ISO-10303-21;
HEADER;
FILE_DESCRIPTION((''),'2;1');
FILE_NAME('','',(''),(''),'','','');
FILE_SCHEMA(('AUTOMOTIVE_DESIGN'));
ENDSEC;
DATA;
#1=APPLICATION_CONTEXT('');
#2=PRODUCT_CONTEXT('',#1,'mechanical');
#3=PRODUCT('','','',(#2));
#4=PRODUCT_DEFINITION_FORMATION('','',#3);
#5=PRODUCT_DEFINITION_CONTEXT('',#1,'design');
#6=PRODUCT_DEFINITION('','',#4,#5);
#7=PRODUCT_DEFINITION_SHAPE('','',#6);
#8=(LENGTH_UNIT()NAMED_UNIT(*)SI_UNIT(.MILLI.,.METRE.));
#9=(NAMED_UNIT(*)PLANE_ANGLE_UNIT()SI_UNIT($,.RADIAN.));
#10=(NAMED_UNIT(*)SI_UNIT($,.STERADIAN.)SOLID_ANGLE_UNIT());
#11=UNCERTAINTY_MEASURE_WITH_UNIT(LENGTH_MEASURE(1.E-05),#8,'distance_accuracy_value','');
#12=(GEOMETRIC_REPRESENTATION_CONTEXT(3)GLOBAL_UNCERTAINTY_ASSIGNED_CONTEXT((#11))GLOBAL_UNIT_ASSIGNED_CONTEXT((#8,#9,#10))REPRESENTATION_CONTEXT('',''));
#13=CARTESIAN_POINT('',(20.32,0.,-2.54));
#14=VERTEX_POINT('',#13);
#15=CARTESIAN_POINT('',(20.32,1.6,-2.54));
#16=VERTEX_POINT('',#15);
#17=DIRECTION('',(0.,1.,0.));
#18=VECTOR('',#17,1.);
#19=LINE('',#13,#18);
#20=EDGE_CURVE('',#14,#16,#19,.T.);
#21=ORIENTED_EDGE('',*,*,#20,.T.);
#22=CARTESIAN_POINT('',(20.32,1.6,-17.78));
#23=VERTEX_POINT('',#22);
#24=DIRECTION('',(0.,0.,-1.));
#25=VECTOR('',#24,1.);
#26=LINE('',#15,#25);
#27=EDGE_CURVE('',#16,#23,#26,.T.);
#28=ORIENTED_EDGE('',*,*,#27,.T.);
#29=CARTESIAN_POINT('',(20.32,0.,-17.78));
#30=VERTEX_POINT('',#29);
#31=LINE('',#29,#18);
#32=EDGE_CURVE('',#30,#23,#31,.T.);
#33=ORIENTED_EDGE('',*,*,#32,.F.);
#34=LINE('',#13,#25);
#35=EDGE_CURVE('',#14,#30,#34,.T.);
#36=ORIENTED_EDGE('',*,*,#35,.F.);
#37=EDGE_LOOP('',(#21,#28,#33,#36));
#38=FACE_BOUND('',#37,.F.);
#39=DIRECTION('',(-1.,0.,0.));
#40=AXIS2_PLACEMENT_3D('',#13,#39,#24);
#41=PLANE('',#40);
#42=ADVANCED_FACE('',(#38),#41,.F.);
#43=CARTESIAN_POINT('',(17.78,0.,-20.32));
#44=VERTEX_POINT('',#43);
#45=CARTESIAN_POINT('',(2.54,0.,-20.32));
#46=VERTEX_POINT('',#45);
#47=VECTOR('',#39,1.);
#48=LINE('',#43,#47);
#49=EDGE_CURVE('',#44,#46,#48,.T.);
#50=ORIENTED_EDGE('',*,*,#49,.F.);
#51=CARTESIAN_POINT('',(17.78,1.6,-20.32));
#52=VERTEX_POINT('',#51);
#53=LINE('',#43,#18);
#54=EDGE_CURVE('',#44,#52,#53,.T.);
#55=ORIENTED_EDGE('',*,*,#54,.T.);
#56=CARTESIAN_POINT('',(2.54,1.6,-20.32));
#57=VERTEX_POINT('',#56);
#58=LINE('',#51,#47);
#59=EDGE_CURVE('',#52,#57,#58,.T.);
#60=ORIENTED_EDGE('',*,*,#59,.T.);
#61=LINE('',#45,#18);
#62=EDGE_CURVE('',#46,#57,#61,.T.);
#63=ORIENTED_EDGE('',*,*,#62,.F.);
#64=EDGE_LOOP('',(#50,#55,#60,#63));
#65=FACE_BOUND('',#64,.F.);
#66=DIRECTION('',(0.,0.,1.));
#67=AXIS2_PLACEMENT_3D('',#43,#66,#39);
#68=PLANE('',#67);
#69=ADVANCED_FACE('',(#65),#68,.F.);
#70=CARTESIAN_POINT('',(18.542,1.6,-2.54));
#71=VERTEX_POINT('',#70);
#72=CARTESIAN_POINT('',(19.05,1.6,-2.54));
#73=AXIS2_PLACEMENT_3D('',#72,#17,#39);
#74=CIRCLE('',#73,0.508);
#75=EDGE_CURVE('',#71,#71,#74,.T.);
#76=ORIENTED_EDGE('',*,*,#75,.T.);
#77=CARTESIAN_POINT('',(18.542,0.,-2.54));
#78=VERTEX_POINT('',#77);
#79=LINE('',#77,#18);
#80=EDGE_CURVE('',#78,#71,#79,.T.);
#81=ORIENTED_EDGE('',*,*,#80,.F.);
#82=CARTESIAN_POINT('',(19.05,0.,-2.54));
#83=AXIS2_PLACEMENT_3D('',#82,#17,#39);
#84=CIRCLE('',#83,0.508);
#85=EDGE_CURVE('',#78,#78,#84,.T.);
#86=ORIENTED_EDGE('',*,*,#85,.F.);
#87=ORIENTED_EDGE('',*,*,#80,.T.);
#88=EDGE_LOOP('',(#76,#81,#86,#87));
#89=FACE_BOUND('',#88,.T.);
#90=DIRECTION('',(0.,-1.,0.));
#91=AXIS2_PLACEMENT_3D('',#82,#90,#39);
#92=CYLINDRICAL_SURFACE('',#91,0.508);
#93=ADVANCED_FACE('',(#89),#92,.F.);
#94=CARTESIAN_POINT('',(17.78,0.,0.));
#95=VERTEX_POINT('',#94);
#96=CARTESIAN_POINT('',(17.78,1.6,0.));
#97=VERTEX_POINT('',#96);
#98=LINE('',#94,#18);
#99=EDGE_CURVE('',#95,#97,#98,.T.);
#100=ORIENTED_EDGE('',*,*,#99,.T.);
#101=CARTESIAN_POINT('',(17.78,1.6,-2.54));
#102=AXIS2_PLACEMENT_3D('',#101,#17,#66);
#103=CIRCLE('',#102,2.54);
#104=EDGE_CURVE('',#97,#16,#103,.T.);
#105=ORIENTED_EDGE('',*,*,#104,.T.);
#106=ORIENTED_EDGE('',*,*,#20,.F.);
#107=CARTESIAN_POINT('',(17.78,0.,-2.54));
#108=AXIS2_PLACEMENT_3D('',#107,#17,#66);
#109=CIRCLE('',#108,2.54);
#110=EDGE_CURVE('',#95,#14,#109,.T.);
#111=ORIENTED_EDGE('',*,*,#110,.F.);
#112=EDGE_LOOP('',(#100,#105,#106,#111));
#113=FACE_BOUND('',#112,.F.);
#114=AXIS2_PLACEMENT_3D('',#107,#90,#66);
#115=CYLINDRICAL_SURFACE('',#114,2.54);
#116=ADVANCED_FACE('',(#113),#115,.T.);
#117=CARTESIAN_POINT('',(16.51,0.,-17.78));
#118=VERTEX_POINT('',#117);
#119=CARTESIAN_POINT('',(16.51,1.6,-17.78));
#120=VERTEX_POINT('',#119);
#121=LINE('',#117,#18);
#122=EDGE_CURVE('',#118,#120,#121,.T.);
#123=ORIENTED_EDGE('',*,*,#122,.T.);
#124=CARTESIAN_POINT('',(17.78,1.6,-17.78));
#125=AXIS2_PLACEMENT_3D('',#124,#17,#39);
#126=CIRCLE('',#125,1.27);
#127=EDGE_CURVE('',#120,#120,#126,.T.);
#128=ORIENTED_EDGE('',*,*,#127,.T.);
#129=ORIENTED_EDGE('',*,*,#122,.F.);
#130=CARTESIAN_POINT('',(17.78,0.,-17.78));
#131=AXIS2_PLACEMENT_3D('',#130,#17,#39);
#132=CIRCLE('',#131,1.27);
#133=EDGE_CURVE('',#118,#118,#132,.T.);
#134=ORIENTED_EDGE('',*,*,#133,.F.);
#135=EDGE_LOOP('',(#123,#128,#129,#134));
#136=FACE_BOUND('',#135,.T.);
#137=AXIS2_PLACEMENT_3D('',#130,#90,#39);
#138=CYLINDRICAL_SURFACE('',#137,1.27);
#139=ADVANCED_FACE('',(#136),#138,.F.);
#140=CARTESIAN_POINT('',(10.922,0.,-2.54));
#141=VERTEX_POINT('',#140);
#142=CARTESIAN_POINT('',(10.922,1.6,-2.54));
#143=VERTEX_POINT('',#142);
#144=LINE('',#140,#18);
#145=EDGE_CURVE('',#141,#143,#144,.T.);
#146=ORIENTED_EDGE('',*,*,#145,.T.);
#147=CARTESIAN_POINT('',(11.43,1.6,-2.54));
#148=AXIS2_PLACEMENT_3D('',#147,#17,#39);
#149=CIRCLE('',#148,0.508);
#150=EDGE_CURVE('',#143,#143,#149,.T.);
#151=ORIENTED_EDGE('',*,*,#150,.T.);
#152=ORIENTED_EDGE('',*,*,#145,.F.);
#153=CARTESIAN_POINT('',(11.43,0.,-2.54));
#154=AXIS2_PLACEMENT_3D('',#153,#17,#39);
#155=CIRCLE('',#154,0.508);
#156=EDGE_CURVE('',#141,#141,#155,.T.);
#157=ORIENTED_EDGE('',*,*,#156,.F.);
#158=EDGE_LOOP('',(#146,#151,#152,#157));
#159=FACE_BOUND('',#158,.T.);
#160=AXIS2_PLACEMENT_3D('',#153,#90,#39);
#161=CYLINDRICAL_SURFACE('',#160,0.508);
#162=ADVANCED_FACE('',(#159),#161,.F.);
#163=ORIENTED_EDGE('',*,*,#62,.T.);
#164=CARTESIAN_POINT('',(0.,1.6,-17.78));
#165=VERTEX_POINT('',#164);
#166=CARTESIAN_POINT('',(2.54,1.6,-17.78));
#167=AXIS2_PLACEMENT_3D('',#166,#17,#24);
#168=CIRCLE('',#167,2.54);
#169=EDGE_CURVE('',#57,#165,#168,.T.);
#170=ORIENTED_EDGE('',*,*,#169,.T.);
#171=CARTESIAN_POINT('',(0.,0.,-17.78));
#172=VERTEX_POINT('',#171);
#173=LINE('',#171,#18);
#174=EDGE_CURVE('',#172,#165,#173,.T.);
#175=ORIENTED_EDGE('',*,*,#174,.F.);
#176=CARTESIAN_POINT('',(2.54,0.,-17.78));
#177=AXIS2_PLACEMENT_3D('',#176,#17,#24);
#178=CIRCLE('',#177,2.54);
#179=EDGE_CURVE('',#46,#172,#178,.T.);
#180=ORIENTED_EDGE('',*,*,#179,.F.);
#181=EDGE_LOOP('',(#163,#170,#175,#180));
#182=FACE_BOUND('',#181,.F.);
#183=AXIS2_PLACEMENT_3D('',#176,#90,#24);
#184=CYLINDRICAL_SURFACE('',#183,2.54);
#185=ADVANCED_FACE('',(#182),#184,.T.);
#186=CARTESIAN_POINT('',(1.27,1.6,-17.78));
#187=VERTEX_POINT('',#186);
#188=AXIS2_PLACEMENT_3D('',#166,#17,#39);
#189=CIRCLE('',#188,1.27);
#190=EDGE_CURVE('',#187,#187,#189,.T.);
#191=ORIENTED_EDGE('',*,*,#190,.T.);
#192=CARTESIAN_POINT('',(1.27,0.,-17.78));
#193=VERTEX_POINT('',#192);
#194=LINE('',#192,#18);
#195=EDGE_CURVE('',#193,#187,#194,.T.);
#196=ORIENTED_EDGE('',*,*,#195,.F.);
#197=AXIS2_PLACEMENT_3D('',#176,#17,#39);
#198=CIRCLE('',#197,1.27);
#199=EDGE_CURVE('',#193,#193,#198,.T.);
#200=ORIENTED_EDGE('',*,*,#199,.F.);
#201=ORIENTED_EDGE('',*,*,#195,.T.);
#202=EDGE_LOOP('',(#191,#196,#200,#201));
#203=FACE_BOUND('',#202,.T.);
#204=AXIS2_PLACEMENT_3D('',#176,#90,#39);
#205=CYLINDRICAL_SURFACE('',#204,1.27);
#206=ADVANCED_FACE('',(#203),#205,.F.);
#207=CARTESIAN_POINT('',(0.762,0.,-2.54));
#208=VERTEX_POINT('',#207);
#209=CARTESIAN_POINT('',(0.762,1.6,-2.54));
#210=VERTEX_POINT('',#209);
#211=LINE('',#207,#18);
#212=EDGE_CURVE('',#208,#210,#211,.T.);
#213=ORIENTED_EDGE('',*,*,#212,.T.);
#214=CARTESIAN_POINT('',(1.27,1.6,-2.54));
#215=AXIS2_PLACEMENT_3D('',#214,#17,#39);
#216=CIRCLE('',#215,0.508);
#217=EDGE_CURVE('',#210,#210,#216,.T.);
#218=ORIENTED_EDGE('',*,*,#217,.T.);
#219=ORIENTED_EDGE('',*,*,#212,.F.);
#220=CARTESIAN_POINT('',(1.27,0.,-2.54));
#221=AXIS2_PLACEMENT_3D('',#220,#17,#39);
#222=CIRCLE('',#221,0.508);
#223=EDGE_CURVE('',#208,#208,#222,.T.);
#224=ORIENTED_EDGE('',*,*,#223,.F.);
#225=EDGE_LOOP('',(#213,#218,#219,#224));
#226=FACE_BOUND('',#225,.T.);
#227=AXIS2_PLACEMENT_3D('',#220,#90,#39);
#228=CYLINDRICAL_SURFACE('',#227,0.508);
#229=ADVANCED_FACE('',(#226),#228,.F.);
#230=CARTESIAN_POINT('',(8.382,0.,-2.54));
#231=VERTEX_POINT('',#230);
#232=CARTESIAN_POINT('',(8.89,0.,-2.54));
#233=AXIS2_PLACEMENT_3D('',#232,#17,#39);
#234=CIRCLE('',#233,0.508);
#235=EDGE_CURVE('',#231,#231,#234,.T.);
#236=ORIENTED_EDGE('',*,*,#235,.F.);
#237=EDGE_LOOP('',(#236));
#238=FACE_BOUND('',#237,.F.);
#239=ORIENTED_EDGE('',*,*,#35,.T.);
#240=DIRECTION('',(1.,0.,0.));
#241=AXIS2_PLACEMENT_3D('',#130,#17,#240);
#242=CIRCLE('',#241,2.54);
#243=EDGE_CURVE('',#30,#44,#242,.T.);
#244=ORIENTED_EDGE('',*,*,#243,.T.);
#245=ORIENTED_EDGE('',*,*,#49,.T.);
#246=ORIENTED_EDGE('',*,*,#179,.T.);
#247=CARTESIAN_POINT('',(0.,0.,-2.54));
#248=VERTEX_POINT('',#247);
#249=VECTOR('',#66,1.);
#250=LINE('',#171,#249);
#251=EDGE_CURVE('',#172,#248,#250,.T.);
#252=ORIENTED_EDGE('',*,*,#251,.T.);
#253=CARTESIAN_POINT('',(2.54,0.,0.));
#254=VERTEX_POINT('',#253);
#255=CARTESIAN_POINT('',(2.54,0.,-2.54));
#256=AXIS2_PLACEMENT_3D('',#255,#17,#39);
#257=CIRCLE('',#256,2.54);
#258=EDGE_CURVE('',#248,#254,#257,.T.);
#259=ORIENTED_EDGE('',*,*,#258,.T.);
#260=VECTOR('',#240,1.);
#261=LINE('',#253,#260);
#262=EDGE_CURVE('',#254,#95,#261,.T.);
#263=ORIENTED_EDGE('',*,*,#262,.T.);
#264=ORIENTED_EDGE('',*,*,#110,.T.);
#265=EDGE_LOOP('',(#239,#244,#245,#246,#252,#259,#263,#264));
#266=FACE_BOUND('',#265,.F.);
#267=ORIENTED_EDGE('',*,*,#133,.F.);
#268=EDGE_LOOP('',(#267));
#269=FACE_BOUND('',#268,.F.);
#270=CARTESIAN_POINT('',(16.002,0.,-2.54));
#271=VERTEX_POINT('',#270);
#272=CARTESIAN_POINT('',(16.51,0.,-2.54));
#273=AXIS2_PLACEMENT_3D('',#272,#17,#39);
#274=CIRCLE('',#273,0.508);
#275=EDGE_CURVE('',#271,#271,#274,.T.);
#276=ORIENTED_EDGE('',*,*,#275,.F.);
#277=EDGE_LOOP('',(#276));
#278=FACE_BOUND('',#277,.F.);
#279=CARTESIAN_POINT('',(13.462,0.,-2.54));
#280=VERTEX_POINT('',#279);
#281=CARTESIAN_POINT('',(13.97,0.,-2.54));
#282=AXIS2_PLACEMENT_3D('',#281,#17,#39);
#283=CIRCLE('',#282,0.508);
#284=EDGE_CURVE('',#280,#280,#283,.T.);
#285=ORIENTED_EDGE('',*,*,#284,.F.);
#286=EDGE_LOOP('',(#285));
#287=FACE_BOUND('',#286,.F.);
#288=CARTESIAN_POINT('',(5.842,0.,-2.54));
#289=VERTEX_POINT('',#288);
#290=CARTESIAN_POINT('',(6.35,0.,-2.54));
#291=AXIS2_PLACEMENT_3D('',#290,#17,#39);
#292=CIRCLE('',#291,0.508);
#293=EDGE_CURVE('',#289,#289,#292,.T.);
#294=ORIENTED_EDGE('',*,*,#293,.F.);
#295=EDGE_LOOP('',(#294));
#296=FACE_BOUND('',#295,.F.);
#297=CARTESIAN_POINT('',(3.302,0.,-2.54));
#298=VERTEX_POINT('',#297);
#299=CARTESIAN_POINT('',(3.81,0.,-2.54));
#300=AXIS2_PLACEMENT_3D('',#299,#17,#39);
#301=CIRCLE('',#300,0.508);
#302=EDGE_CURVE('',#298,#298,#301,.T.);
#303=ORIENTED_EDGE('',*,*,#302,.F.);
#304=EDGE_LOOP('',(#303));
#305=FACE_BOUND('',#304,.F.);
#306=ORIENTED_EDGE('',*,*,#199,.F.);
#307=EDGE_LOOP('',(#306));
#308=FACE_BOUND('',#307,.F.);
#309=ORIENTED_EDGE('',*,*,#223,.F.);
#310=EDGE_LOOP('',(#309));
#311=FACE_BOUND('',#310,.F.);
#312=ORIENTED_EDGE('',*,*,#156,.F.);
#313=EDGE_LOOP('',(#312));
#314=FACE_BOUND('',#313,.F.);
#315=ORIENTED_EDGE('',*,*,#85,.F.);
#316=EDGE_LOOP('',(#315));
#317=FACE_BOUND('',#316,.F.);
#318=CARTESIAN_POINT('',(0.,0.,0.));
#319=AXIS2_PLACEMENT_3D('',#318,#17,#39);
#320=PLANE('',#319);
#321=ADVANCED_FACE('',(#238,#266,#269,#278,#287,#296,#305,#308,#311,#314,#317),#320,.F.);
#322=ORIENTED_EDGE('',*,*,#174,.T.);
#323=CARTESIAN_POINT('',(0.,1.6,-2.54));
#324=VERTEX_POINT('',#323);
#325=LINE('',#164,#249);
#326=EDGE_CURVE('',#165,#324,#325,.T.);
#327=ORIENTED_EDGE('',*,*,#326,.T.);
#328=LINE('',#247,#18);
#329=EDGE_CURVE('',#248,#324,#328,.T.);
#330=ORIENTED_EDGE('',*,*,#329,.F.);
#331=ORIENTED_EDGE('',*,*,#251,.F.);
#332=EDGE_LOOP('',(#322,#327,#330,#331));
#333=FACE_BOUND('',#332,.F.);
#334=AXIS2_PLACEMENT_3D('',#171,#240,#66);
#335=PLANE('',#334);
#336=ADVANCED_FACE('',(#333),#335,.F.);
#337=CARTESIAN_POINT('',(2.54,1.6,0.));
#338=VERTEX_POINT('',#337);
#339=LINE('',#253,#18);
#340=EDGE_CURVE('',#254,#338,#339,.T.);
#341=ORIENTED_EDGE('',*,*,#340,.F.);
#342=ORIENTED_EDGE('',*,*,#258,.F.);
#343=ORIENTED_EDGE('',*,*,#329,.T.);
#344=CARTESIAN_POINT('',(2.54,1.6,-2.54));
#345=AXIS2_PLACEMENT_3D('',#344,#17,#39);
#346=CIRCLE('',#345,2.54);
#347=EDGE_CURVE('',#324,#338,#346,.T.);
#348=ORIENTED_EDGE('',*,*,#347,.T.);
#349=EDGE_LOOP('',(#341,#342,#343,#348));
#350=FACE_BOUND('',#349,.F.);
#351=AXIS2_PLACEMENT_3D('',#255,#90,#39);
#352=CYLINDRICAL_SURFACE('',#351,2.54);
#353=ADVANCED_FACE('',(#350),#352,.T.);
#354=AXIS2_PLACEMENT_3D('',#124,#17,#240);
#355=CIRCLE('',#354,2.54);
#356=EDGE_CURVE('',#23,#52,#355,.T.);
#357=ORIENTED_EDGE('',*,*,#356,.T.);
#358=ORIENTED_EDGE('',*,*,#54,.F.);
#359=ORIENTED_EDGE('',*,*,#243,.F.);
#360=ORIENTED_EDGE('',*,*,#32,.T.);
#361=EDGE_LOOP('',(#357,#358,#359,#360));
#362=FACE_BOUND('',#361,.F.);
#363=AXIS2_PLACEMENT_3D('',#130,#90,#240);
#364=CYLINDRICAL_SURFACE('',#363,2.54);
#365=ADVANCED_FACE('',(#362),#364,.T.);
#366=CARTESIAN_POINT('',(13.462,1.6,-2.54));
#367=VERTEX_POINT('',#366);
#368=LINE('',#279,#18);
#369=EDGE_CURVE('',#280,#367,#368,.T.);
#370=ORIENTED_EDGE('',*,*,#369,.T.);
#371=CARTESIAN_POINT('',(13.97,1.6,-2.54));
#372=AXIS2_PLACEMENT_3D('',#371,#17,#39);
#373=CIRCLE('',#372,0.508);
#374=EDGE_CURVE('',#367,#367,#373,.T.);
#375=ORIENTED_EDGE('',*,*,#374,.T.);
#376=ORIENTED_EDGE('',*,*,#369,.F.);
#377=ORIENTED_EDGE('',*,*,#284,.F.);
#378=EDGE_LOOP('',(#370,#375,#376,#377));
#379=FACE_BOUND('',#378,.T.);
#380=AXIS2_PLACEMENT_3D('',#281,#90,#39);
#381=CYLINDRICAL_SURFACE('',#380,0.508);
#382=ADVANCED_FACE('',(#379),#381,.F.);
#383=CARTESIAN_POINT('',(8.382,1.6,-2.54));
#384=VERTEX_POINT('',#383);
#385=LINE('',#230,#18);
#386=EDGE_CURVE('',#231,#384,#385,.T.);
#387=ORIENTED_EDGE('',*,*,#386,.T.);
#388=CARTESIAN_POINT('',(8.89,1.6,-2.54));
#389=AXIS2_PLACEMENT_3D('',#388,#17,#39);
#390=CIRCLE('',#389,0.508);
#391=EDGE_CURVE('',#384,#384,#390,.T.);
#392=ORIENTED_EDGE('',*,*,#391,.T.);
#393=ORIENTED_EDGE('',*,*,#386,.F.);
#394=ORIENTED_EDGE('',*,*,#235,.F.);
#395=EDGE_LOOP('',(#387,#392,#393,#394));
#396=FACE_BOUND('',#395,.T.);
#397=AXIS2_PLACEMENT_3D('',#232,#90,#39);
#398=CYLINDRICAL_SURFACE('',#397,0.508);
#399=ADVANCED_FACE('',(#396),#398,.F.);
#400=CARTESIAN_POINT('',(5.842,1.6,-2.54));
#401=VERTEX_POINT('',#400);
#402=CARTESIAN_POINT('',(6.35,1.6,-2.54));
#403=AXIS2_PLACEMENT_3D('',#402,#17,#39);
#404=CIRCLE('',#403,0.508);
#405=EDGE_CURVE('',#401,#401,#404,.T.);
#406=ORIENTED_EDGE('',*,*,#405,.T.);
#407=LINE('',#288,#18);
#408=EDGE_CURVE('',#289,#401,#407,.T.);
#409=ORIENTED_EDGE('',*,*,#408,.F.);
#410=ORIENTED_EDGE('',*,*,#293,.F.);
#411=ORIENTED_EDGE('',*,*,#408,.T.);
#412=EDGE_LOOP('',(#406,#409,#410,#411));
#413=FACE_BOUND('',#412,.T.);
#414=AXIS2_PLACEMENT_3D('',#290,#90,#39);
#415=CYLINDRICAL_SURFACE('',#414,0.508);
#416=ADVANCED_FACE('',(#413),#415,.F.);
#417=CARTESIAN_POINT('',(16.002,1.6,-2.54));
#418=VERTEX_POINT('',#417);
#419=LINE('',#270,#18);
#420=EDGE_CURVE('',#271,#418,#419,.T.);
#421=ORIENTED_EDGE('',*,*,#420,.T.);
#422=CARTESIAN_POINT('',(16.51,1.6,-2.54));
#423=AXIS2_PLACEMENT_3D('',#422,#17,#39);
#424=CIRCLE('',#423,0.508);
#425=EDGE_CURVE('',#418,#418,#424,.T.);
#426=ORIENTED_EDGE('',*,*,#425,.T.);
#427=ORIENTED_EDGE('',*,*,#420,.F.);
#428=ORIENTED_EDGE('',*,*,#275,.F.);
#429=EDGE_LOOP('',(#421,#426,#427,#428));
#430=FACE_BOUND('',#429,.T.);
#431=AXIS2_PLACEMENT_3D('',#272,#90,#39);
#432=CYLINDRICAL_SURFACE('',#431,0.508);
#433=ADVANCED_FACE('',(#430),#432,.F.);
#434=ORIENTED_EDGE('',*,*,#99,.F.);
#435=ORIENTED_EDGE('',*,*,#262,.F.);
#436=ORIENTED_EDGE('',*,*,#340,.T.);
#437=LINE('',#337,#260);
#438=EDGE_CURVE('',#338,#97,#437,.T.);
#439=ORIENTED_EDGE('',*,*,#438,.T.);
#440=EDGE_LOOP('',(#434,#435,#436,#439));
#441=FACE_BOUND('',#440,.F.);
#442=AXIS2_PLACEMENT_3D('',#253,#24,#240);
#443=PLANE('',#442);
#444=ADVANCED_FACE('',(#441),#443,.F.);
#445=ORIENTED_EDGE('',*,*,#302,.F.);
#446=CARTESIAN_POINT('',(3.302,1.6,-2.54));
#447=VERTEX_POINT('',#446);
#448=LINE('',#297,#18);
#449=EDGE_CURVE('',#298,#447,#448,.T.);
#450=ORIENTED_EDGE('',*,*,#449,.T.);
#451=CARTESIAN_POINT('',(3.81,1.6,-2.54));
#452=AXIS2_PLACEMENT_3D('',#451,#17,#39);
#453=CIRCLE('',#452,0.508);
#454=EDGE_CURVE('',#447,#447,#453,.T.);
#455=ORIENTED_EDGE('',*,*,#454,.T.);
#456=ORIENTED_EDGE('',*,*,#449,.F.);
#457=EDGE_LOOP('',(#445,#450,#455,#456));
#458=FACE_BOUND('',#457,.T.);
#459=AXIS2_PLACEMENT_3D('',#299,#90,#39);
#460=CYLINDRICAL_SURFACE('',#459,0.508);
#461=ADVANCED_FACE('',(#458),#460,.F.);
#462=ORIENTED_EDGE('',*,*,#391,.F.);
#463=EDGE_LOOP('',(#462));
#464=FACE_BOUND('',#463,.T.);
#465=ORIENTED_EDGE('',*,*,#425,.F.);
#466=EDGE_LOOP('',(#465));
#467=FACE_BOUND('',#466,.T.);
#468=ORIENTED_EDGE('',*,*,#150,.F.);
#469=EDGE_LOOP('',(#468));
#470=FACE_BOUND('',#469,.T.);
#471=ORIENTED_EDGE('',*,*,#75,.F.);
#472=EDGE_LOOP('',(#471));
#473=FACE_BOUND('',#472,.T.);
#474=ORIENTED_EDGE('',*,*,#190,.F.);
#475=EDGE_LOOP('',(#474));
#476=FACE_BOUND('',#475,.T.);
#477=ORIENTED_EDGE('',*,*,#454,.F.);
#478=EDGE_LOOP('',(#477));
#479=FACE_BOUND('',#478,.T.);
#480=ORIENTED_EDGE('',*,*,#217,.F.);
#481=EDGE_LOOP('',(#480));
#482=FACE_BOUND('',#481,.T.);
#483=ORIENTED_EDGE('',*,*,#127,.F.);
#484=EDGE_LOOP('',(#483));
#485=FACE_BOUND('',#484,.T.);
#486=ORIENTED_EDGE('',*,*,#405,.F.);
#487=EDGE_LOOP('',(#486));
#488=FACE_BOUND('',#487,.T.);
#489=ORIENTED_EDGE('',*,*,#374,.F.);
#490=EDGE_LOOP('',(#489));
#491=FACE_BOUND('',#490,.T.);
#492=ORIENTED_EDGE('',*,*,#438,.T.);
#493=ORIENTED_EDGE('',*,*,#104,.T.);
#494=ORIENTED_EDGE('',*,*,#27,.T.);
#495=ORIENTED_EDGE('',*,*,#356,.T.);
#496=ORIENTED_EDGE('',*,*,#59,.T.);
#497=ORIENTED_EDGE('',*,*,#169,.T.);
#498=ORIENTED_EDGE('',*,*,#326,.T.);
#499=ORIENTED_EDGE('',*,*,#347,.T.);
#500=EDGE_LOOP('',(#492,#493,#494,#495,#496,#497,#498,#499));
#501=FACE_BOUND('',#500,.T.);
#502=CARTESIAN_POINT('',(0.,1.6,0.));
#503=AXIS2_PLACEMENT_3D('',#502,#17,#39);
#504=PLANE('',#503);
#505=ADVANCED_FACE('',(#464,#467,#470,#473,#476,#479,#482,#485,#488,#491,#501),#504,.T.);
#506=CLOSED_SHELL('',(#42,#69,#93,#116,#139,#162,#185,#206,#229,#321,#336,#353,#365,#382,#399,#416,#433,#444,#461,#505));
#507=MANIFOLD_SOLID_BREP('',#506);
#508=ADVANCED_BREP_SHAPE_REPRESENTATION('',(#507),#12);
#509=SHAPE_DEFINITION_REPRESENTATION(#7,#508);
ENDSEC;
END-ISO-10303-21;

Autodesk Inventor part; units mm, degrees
ref_plane "YZ Plane" through (0, 0, 0) normal (1, 0, 0) x (0, 1, 0)
ref_plane "XZ Plane" through (0, 0, 0) normal (0, 1, 0) x (-1, 0, 0)
ref_plane "XY Plane" through (0, 0, 0) normal (0, 0, 1) x (1, 0, 0)
sketch "Sketch1" plane through (0, 0, 0) normal (0, 1, 0) x (-1, 0, 0)
  line L0 (-2.54, 0) -> (-17.78, 0)
  line L1 (-20.32, -2.54) -> (-20.32, -17.78)
  line L2 (-17.78, -20.32) -> (-2.54, -20.32)
  line L3 (0, -17.78) -> (0, -2.54)
  arc A0 (-2.54, -20.32) -> (0, -17.78) centre (-2.54, -17.78) ccw
  arc A1 (-20.32, -17.78) -> (-17.78, -20.32) centre (-17.78, -17.78) ccw
  arc A2 (-17.78, 0) -> (-20.32, -2.54) centre (-17.78, -2.54) ccw
  arc A3 (0, -2.54) -> (-2.54, 0) centre (-2.54, -2.54) ccw
  circle A4 centre (-2.54, -17.78) radius 1.27
  circle A5 centre (-17.78, -17.78) radius 1.27
  line L4 (0, -2.54) -> (-20.32, -2.54) construction
  circle A6 centre (-1.27, -2.54) radius 0.508
  circle A7 centre (-3.81, -2.54) radius 0.508
  circle A8 centre (-6.35, -2.54) radius 0.508
  circle A9 centre (-8.89, -2.54) radius 0.508
  circle A10 centre (-11.43, -2.54) radius 0.508
  circle A11 centre (-13.97, -2.54) radius 0.508
  circle A12 centre (-16.51, -2.54) radius 0.508
  circle A13 centre (-19.05, -2.54) radius 0.508
  point P0 (0, 0)
  point P1 (-20.32, -20.32)
  point P2 (-20.32, 0)
  point P3 (0, -20.32)
  dimension "d0" = 20.32
  dimension "d1" = 20.32
  dimension "d2" = 2.54
  dimension "d3" = 2.54
  dimension "d6" = 2.54
  dimension "d11" = 1.27
  dimension "d12" = 1.27
  dimension "d13" = 1.016
  dimension "d16" = 2.54
extrude "Extrusion1" add sketch "Sketch1" along normal blind 1.6
equation "\"d11\" = d12"
properties part number "LIS3DH footprint"
